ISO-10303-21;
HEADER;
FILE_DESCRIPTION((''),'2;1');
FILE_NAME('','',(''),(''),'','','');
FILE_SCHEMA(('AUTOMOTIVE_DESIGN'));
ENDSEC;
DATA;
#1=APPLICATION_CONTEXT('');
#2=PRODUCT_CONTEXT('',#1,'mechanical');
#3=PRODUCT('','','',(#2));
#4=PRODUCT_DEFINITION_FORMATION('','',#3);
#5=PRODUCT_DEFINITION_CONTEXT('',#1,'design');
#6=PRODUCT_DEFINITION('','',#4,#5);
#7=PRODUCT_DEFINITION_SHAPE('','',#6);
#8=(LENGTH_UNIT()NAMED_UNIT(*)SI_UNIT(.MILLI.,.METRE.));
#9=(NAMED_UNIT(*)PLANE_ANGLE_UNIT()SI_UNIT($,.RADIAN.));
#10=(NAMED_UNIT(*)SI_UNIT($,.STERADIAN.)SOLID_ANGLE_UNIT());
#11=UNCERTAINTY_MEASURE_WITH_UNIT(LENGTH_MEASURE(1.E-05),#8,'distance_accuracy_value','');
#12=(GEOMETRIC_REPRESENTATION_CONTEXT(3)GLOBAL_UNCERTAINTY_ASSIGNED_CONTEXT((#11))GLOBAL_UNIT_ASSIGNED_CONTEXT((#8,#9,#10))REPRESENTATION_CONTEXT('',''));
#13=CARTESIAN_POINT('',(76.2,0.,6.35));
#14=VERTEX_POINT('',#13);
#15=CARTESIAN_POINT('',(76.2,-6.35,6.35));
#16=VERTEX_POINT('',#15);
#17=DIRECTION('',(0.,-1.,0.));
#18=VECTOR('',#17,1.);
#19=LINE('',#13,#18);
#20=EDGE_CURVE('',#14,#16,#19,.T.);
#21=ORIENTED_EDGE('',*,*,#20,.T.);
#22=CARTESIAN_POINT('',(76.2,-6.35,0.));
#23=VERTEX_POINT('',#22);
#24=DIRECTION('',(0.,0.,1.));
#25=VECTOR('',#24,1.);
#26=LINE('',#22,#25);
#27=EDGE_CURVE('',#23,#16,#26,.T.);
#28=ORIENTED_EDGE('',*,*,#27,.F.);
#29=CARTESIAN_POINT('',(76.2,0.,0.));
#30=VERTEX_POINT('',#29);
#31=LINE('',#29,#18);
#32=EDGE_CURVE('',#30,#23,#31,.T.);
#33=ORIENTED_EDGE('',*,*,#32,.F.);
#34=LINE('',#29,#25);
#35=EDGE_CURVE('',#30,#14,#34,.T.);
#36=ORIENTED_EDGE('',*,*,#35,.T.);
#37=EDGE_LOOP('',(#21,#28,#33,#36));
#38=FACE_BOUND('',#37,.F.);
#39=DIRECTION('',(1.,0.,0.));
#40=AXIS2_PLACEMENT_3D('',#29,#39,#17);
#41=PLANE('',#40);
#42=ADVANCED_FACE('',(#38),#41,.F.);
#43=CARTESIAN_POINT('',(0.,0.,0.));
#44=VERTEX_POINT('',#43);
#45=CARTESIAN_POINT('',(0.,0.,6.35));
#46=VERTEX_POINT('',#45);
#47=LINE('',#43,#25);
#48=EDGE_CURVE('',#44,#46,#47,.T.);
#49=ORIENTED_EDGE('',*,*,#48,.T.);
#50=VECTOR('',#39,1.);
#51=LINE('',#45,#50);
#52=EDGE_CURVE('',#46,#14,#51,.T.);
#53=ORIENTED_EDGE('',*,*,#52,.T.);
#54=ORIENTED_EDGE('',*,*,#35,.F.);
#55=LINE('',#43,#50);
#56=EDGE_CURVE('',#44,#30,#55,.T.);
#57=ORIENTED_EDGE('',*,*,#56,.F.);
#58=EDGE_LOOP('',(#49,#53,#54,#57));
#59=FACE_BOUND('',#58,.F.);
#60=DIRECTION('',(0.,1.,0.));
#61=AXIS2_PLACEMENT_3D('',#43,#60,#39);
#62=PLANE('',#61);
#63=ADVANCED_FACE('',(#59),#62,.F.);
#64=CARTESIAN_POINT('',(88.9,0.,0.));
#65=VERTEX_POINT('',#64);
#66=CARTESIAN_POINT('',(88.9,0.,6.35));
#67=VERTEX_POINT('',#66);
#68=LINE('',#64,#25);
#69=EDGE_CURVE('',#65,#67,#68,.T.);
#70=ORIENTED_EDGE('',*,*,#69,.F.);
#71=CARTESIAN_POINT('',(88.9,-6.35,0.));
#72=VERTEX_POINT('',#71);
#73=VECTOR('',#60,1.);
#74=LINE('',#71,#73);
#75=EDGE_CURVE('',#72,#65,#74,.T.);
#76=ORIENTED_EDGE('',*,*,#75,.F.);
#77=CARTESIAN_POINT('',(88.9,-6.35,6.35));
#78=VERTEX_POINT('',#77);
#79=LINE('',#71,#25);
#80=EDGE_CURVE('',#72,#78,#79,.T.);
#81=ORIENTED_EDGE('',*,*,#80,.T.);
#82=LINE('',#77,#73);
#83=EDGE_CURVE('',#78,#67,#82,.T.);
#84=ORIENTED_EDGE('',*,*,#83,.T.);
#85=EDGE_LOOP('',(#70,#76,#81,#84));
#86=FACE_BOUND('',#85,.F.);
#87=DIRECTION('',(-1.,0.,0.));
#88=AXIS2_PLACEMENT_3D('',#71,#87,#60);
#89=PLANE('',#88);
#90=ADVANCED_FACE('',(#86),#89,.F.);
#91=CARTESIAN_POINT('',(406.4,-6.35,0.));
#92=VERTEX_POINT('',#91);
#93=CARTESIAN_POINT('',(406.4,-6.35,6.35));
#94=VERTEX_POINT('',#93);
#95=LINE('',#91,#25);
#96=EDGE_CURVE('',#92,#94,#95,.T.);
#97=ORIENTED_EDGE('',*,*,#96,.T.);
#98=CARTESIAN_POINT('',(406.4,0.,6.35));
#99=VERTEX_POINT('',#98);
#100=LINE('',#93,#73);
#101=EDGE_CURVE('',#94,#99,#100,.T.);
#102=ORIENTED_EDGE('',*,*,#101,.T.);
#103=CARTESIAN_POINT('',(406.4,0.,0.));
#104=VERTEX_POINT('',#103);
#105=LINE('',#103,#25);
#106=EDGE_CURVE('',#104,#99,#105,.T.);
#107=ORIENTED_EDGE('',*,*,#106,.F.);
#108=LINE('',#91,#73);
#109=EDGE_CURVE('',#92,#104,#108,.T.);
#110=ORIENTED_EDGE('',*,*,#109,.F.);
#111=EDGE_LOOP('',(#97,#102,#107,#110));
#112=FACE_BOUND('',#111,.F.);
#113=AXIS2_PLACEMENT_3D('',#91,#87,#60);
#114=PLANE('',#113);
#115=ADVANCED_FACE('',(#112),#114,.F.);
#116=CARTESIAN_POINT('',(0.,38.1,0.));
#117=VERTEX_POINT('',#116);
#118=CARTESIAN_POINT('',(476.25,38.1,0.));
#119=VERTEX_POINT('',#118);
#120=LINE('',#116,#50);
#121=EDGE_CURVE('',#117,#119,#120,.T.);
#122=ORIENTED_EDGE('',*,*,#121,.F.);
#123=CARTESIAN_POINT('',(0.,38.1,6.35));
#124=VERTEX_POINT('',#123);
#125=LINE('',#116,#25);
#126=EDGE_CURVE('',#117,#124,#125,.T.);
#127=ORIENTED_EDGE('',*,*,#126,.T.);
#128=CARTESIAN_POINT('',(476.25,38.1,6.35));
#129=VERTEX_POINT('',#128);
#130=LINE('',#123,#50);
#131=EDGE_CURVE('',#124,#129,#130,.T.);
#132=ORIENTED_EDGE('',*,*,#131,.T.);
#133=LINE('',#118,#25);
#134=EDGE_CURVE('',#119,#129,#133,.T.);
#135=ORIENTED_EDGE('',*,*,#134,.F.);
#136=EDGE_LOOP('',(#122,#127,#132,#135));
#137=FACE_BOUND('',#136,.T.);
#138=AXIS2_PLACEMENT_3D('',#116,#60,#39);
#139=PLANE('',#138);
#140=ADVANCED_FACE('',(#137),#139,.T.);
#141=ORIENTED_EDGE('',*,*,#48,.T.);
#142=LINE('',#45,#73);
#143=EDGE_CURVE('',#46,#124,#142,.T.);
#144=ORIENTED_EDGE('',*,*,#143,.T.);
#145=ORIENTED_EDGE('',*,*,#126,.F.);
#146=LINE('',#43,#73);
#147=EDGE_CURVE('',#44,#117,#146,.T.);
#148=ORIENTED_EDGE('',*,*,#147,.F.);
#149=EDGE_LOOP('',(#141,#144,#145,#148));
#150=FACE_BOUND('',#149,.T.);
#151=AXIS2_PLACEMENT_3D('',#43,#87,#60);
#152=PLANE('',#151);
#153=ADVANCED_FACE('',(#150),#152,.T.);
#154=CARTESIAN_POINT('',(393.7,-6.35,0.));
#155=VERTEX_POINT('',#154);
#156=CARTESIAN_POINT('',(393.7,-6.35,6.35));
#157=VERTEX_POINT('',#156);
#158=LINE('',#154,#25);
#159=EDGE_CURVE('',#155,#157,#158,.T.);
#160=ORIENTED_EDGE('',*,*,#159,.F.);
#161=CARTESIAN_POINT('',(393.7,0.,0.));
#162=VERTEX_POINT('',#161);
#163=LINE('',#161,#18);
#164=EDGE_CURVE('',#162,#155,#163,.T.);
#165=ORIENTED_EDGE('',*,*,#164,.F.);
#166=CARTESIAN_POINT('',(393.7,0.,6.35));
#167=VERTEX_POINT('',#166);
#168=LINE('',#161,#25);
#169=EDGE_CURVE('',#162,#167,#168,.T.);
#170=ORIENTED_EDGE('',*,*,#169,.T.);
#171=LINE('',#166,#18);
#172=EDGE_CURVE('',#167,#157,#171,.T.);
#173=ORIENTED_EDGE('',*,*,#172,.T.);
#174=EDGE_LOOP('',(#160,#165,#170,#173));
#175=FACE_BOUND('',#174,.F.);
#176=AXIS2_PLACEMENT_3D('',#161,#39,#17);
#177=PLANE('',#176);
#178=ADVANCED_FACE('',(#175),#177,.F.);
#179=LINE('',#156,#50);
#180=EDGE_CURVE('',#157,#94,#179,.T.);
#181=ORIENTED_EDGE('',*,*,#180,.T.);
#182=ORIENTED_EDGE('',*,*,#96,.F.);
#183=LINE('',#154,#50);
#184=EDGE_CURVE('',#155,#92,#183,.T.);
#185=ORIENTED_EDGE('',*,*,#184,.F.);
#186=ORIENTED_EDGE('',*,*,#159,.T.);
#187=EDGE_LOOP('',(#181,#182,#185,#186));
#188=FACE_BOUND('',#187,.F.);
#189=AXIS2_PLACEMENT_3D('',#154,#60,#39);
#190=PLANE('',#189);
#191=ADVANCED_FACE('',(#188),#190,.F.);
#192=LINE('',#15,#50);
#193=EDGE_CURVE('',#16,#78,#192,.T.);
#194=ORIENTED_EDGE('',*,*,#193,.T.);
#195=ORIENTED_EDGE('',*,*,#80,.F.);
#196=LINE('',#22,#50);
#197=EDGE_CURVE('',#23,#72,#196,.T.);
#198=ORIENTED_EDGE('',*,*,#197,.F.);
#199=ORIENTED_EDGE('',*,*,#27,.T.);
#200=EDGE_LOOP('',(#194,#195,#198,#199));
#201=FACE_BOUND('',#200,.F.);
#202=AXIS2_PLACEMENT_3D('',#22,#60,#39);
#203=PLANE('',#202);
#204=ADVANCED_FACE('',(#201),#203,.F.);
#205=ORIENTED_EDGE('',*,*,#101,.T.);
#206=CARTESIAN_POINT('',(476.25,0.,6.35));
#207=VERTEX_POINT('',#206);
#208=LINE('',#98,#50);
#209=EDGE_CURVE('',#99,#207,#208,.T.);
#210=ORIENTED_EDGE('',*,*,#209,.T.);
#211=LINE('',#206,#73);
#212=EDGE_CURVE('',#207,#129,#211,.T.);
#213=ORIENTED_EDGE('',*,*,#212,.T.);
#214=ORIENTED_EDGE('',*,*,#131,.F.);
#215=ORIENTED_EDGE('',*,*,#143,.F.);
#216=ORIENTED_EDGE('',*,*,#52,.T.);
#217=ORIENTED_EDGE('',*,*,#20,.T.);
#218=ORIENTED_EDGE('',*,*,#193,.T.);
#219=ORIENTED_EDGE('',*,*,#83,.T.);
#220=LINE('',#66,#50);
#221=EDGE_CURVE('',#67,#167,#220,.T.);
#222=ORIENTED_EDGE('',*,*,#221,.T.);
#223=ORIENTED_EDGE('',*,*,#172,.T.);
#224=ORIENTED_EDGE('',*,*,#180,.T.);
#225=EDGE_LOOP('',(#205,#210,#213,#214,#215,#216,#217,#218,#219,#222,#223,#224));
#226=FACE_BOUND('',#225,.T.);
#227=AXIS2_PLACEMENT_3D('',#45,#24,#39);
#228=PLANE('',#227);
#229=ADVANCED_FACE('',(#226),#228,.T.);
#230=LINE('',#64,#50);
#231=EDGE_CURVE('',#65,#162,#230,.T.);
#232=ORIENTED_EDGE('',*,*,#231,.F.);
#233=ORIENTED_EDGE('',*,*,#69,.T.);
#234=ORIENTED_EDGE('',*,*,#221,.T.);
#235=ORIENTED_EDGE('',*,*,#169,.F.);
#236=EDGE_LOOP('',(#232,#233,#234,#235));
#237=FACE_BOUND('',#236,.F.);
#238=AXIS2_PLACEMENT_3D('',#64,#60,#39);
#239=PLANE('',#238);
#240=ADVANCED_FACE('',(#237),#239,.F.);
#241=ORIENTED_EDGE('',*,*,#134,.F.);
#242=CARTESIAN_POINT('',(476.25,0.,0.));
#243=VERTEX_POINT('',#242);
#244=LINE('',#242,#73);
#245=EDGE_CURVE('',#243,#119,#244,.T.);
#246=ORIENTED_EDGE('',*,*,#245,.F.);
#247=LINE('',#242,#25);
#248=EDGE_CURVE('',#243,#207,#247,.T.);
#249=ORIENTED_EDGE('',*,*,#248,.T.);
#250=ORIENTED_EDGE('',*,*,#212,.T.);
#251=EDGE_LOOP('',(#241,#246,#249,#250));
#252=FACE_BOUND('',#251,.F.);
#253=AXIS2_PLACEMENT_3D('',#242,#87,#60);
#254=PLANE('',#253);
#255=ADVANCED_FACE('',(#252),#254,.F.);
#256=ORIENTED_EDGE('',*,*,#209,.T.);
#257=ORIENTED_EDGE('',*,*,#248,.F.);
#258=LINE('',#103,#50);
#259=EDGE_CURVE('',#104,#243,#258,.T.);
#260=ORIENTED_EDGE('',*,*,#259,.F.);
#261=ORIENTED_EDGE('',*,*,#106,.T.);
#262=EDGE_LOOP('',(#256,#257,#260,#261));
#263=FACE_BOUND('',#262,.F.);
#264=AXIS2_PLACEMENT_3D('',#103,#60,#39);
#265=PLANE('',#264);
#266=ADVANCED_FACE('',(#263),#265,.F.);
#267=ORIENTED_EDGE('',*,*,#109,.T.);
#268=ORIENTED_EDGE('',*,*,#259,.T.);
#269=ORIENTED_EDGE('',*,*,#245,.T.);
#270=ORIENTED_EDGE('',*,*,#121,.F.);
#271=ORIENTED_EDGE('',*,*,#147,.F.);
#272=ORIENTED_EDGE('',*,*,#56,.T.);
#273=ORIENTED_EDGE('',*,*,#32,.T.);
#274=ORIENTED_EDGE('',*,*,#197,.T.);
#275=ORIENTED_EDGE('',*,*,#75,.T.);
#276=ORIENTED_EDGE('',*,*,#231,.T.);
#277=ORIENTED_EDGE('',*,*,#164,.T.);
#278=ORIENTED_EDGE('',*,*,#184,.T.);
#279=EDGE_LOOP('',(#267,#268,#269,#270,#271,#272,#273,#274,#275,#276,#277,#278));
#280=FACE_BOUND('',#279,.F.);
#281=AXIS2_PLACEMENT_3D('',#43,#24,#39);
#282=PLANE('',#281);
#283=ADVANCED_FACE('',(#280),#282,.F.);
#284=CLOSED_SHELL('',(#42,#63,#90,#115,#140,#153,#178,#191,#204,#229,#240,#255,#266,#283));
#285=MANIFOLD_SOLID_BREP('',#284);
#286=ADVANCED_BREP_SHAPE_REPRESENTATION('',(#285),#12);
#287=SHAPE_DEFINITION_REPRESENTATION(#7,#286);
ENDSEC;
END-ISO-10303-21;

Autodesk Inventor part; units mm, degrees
ref_plane "YZ Plane" through (0, 0, 0) normal (1, 0, 0) x (0, 1, 0)
ref_plane "XZ Plane" through (0, 0, 0) normal (0, 1, 0) x (-1, 0, 0)
ref_plane "XY Plane" through (0, 0, 0) normal (0, 0, 1) x (1, 0, 0)
sketch "Sketch1" plane through (0, 0, 0) normal (0, 0, 1) x (1, 0, 0)
  line L0 (0, 0) -> (0, 38.1)
  line L1 (0, 0) -> (76.2, 0)
  line L2 (76.2, 0) -> (76.2, -6.35)
  line L3 (76.2, -6.35) -> (88.9, -6.35)
  line L4 (88.9, -6.35) -> (88.9, 0)
  line L5 (88.9, 0) -> (393.7, 0)
  line L6 (393.7, 0) -> (393.7, -6.35)
  line L7 (393.7, -6.35) -> (406.4, -6.35)
  line L8 (406.4, -6.35) -> (406.4, 0)
  line L9 (0, 38.1) -> (476.25, 38.1)
  line L10 (406.4, 0) -> (476.25, 0)
  line L11 (476.25, 0) -> (476.25, 38.1)
  dimension "d0" = 38.1
  dimension "d1" = 76.2
  dimension "d2" = 6.35
  dimension "d3" = 12.7
  dimension "d4" = 304.8
  dimension "d5" = 12.7
  dimension "d6" = 476.25
extrude "Extrusion1" add sketch "Sketch1" along normal blind 6.35
properties part number "Funneling 4" material "Polycarbonate, Clear"
